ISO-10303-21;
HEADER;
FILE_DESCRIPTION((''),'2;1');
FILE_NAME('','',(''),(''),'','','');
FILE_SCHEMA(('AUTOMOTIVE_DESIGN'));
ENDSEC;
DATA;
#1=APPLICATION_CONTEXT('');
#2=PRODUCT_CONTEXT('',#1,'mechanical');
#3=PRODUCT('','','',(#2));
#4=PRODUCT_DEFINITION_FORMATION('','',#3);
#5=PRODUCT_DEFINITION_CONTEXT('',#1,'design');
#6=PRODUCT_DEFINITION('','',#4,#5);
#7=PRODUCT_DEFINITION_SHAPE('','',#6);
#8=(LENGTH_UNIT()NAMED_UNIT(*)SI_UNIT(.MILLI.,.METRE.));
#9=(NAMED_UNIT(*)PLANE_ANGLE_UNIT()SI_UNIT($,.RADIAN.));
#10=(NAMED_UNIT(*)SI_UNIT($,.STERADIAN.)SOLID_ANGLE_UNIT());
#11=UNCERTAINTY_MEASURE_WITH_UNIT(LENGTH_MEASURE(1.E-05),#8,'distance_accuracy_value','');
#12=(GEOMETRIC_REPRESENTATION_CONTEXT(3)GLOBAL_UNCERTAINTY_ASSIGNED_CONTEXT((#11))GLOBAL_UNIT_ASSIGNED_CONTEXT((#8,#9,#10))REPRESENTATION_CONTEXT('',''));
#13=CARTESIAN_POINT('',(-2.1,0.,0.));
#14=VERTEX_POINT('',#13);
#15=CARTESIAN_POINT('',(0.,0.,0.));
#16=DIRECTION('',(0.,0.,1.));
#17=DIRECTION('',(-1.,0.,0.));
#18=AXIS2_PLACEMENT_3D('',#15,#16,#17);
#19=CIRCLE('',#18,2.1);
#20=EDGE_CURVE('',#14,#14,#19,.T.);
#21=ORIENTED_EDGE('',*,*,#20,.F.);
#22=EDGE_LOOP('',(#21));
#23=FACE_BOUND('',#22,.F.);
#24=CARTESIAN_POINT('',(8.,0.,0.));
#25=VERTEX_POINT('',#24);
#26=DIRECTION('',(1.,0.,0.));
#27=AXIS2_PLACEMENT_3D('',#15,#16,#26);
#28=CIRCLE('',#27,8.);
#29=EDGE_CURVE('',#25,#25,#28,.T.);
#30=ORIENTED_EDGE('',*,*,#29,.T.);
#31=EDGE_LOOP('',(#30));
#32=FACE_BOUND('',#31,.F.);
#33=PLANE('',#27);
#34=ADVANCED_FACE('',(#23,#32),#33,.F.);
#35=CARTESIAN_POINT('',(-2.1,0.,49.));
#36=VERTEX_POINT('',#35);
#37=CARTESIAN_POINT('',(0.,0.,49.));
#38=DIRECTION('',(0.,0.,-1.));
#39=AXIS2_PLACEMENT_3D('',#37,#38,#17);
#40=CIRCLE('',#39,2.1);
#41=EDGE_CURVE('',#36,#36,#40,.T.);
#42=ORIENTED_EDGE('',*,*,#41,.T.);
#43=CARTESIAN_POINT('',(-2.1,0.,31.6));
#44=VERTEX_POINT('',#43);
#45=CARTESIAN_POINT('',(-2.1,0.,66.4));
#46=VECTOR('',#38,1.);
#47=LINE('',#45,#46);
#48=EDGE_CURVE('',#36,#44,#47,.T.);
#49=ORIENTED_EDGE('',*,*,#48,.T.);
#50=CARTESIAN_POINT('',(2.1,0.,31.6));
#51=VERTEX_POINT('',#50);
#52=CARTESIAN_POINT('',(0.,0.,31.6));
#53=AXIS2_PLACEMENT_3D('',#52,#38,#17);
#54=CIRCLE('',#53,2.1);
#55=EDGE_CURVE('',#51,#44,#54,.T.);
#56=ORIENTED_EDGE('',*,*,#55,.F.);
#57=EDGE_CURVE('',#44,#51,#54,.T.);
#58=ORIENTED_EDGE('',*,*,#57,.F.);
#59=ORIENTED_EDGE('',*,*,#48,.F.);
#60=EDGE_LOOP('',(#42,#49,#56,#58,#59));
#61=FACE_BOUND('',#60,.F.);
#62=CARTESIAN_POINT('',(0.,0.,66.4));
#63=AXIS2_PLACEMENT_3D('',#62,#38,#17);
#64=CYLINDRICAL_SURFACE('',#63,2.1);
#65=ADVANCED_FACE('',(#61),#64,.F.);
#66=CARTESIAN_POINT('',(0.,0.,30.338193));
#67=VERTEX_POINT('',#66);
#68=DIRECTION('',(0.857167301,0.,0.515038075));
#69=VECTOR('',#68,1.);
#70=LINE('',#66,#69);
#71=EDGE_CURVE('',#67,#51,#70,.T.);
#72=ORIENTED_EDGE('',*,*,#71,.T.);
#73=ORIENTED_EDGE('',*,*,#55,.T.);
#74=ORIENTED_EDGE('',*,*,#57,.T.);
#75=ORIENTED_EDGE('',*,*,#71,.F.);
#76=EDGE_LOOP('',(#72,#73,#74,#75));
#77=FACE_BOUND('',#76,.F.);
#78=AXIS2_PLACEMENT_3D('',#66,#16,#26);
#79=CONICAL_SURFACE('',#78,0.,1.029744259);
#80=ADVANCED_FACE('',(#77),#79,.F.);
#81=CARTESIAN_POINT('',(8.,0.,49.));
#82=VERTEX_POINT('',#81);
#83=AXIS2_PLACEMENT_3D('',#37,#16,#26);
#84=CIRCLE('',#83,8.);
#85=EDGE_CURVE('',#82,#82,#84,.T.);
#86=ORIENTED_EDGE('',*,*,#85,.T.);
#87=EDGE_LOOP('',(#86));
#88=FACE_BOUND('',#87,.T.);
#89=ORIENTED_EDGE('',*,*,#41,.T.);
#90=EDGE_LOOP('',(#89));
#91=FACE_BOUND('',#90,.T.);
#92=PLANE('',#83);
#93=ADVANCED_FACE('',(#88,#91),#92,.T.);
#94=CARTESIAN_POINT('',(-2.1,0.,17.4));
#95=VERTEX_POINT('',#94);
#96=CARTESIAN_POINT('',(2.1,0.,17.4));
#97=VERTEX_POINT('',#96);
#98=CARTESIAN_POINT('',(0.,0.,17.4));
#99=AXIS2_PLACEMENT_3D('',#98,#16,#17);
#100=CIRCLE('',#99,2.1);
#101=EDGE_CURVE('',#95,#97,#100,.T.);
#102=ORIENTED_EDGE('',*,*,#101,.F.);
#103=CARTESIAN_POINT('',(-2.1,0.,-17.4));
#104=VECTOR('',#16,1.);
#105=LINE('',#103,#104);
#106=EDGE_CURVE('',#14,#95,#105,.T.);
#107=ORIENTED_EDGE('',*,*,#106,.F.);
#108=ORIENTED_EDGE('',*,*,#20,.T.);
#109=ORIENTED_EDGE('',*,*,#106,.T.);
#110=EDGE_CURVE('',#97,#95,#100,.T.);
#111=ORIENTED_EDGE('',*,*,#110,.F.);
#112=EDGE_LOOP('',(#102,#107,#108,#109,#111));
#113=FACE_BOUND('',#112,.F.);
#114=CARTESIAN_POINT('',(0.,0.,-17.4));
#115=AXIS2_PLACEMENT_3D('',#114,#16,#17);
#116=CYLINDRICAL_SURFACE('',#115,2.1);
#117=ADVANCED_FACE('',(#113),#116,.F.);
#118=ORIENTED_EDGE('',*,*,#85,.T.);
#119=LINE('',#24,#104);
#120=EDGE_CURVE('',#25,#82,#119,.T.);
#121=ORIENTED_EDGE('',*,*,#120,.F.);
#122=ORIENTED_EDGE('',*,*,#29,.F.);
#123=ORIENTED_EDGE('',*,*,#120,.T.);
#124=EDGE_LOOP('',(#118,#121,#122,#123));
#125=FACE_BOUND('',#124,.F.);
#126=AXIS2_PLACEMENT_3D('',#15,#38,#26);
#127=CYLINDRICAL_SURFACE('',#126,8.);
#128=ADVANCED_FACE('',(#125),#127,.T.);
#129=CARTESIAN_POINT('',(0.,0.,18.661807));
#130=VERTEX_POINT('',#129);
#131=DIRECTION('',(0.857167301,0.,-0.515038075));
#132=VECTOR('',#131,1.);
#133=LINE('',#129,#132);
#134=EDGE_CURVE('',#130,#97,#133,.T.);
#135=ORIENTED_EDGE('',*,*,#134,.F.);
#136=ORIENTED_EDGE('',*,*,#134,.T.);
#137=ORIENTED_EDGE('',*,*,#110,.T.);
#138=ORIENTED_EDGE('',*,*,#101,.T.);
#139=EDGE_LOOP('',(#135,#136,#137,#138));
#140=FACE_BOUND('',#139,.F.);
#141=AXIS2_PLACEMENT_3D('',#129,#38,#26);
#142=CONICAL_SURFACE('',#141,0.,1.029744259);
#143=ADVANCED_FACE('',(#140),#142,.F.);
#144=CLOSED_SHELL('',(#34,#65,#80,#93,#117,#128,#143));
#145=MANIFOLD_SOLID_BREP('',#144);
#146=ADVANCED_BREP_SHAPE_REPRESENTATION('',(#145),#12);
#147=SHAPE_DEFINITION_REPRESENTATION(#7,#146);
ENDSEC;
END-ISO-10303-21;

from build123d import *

# Parameters (mm, degrees)
F0_R     = 8
F1_DEPTH = 49
F3_D     = 4.2
F3_DEPTH = 17.4
F3_TIP   = 1.2618073
F5_D     = 4.2
F5_DEPTH = 17.4
F5_TIP   = 1.2618073


with BuildPart() as f1:
    # F0 (on Top) → F1 (new body)
    with BuildSketch(Plane.XY):
        Circle(F0_R)
    extrude(amount=F1_DEPTH)

    # F3
    with Locations(Plane.XY.offset(49)):
        with Locations((0, 0)):
            Hole(F3_D / 2, depth=F3_DEPTH)
            with Locations((0, 0, -(F3_DEPTH + F3_TIP / 2))):  # 118° drill point
                Cone(0, F3_D / 2, F3_TIP, mode=Mode.SUBTRACT)

    # F5
    with Locations(Plane(origin=(0, 0, 0), x_dir=(1, 0, 0), z_dir=(0, 0, -1))):
        with Locations((0, 0)):
            Hole(F5_D / 2, depth=F5_DEPTH)
            with Locations((0, 0, -(F5_DEPTH + F5_TIP / 2))):  # 118° drill point
                Cone(0, F5_D / 2, F5_TIP, mode=Mode.SUBTRACT)


solid = f1.part
